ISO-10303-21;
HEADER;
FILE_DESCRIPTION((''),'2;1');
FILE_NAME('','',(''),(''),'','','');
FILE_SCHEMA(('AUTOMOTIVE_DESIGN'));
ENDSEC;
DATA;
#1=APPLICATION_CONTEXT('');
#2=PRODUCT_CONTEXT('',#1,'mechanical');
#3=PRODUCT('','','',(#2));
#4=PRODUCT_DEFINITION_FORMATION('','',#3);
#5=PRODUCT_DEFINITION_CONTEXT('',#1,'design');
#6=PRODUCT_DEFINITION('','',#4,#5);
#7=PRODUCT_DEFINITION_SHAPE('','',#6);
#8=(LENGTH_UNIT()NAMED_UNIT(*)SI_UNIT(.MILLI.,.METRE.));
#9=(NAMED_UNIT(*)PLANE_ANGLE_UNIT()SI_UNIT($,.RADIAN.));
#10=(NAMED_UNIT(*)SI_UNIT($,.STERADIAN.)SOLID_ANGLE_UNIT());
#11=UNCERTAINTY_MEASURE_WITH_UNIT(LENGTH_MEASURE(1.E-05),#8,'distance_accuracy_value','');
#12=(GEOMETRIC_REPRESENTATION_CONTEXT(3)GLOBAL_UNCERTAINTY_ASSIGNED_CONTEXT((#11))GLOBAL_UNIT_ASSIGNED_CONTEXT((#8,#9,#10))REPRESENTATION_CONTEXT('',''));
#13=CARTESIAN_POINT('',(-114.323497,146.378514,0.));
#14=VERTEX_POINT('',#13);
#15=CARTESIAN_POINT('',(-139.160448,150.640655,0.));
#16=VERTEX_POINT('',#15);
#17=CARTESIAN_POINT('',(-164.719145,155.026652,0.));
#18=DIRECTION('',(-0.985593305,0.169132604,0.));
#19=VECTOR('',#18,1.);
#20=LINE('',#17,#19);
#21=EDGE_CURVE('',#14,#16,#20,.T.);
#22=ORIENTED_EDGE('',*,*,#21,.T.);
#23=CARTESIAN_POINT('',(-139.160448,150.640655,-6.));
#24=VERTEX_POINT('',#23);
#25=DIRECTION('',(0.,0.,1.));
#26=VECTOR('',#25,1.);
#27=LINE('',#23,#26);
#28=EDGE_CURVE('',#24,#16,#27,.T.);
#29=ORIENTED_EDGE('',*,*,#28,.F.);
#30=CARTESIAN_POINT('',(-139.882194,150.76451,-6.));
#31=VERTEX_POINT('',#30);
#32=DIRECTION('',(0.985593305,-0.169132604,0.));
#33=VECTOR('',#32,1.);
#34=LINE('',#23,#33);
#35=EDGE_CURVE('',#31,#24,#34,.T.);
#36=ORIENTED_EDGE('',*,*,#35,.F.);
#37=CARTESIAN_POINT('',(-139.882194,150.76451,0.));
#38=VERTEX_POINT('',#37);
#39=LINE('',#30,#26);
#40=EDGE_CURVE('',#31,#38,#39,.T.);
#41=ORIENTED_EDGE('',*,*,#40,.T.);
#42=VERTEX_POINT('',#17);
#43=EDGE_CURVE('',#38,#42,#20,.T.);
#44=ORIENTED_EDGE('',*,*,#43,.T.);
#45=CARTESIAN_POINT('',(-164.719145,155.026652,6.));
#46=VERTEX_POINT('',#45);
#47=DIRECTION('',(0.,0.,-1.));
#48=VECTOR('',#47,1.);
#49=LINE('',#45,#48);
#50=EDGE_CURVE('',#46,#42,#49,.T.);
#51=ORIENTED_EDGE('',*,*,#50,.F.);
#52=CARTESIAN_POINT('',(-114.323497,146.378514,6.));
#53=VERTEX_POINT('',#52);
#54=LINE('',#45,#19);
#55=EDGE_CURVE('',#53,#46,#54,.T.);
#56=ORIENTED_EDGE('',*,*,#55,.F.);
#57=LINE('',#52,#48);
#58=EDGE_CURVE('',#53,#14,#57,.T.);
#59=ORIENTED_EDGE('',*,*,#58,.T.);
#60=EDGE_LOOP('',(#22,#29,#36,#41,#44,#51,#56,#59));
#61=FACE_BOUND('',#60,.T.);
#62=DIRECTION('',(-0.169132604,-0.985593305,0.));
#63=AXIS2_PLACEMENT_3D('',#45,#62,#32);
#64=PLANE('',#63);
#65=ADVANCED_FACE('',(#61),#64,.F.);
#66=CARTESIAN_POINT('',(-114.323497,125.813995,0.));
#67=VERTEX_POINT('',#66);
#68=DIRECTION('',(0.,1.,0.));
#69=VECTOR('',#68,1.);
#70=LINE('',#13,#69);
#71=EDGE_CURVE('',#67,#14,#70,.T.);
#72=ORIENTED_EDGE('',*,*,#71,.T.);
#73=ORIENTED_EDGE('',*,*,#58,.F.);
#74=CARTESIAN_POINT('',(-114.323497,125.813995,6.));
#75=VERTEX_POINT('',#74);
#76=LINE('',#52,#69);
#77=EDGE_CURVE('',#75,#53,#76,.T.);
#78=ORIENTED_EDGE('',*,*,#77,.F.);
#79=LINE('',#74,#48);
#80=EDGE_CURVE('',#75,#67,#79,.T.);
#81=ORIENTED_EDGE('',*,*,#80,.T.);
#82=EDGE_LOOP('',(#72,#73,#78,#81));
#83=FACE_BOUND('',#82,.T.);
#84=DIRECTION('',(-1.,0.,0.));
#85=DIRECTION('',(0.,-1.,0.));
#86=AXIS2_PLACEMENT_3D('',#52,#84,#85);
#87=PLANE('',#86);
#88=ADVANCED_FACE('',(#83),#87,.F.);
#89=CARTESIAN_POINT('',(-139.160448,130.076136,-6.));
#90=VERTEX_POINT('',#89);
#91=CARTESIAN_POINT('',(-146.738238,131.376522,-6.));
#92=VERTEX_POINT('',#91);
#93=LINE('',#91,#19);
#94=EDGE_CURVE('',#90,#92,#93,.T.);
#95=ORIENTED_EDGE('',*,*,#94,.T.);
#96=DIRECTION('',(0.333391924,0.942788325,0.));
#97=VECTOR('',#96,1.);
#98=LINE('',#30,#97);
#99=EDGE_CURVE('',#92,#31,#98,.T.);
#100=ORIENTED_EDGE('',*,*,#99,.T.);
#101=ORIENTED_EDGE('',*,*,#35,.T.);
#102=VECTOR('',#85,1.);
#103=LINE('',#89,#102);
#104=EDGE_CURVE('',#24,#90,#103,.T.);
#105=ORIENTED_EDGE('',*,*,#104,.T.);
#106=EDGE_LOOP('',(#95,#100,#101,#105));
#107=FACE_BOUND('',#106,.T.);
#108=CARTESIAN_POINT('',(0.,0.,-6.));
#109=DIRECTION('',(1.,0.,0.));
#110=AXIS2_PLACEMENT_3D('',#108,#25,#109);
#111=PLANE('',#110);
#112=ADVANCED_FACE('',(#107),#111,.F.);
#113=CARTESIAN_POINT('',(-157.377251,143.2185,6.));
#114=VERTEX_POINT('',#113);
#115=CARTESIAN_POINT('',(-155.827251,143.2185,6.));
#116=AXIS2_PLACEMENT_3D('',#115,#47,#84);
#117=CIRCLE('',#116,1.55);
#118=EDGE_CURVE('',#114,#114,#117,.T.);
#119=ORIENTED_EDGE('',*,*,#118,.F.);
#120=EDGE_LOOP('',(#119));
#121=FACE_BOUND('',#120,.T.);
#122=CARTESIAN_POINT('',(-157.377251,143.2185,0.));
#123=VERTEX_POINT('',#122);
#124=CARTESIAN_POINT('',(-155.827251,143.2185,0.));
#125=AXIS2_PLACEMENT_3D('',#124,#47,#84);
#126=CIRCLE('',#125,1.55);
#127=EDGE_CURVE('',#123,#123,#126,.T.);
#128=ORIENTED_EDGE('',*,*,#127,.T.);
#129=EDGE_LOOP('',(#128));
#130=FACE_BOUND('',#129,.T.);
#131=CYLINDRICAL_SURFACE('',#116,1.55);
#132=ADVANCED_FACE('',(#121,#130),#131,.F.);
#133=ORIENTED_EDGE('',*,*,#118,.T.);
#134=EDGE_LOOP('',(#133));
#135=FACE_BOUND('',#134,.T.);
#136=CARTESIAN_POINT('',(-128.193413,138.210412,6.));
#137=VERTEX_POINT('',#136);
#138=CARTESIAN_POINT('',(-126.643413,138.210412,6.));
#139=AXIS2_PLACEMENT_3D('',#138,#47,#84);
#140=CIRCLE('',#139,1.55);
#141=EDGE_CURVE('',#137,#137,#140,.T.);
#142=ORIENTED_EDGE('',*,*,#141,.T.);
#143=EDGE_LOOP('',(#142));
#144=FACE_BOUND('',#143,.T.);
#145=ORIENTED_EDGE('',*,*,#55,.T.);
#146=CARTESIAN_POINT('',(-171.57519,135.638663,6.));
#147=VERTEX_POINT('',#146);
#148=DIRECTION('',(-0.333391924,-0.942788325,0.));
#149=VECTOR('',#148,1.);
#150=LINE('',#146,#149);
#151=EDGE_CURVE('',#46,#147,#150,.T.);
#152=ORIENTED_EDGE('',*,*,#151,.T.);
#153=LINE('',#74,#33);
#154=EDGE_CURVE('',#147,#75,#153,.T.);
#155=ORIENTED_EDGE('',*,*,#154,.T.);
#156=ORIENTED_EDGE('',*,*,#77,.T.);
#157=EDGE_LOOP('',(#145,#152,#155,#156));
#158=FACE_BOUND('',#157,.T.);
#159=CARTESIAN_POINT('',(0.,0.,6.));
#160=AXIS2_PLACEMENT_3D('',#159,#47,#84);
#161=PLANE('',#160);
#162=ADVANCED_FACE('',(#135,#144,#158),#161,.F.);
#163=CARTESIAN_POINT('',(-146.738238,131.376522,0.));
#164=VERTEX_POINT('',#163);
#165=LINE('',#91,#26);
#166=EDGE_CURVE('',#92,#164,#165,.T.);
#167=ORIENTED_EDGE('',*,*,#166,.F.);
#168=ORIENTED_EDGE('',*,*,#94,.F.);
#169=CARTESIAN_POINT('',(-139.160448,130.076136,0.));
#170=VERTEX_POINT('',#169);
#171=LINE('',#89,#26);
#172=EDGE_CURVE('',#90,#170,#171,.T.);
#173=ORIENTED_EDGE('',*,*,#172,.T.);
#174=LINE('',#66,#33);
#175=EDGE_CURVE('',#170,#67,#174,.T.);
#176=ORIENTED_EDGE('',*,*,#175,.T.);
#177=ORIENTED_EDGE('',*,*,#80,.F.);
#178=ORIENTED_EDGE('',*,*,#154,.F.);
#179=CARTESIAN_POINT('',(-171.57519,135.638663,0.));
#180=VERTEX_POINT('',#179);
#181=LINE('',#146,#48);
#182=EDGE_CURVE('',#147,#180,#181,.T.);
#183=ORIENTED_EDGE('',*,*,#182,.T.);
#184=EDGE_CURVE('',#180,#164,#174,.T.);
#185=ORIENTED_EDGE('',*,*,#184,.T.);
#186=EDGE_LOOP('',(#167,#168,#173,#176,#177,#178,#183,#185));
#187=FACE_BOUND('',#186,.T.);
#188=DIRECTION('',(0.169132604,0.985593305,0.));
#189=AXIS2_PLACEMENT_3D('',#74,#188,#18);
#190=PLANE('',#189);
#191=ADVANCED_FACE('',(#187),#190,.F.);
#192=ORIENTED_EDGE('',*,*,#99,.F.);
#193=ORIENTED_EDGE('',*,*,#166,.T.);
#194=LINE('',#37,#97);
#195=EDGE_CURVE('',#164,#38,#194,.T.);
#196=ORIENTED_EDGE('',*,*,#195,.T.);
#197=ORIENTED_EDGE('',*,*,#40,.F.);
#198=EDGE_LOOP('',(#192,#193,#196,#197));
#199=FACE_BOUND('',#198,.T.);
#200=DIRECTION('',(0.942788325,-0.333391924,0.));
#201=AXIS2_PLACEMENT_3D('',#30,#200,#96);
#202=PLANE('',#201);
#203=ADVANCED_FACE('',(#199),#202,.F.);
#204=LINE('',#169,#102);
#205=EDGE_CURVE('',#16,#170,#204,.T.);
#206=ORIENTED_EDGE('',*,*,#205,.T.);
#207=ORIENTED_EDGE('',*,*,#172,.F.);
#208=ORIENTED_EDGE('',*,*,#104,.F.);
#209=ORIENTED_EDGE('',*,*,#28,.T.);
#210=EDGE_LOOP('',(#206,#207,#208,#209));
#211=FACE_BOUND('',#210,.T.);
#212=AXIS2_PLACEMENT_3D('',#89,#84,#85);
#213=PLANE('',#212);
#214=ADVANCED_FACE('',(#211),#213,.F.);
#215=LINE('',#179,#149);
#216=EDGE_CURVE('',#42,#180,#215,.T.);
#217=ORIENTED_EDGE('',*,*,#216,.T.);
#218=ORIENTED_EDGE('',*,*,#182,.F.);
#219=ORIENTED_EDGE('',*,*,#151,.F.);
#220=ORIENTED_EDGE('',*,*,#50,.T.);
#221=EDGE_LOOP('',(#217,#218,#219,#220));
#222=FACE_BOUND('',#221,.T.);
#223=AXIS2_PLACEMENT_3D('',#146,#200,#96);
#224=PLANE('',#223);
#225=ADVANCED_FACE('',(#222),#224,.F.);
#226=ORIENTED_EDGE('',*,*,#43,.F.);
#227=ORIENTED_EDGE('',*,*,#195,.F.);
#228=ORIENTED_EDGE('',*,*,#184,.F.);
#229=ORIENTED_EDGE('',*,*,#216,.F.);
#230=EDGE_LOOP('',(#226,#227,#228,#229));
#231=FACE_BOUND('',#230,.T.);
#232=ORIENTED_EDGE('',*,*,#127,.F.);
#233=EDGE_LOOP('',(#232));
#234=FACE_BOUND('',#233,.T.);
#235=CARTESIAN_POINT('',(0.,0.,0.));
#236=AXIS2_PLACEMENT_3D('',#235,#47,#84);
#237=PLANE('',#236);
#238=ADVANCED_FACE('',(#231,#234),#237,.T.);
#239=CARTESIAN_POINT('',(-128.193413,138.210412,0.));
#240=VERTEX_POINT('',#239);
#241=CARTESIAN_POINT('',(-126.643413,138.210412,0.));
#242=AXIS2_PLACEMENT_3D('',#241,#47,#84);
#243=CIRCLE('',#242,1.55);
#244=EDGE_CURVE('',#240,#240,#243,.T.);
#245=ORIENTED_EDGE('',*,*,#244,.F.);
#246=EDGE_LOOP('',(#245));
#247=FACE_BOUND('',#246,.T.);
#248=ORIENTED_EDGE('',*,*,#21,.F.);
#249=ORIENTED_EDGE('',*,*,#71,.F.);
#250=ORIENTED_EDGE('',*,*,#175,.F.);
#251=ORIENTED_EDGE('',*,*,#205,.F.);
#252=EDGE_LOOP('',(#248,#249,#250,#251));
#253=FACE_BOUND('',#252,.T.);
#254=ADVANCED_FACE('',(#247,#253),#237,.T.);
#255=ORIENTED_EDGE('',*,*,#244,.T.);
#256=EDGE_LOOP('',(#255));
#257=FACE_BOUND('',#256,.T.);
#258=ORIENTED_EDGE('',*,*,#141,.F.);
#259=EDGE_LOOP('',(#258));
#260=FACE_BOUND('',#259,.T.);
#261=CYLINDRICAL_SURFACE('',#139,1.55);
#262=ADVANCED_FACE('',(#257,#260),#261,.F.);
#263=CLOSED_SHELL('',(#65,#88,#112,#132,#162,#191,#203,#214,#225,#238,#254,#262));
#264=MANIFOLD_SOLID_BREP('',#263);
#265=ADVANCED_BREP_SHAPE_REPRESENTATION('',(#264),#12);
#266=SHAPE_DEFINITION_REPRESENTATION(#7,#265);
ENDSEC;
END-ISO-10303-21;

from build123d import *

# Parameters (mm, degrees)
EXTRUDE_1_DEPTH     = 6
EXTRUDE_2_DEPTH     = 6
SKETCH_3_R          = 1.55
CUT_EXTRUDE_1_DEPTH = 6


with BuildPart() as part:
    # Эскиз1 → Бобышка-Вытянуть1 (new body)
    with BuildSketch(Plane.XY):
        Polygon((-114.323496858, 125.813994573), (-171.575189585, 135.638663443), (-164.719145048, 155.026651824), (-114.323496858, 146.378513535), align=None)
    extrude(amount=EXTRUDE_1_DEPTH)

    # Эскиз2 → Бобышка-Вытянуть2 (add)
    with BuildSketch(Plane(origin=(0, 0, 0), x_dir=(-1, 0, 0), z_dir=(0, 0, -1))):
        Polygon((146.738238306, 131.376521829), (139.160448137, 130.076136187), (139.160448137, 150.64065515), (139.882193768, 150.76451021), align=None)
    extrude(amount=EXTRUDE_2_DEPTH)

    # Эскиз3 → Вырез-Вытянуть1 (cut)
    with BuildSketch(Plane(origin=(0, 0, 0), x_dir=(-1, 0, 0), z_dir=(0, 0, -1))):
        with Locations((126.643413167, 138.210411601)):
            Circle(SKETCH_3_R)
        with Locations((155.827251007, 143.218500087)):
            Circle(SKETCH_3_R)
    extrude(amount=-CUT_EXTRUDE_1_DEPTH, mode=Mode.SUBTRACT)


solid = part.part
